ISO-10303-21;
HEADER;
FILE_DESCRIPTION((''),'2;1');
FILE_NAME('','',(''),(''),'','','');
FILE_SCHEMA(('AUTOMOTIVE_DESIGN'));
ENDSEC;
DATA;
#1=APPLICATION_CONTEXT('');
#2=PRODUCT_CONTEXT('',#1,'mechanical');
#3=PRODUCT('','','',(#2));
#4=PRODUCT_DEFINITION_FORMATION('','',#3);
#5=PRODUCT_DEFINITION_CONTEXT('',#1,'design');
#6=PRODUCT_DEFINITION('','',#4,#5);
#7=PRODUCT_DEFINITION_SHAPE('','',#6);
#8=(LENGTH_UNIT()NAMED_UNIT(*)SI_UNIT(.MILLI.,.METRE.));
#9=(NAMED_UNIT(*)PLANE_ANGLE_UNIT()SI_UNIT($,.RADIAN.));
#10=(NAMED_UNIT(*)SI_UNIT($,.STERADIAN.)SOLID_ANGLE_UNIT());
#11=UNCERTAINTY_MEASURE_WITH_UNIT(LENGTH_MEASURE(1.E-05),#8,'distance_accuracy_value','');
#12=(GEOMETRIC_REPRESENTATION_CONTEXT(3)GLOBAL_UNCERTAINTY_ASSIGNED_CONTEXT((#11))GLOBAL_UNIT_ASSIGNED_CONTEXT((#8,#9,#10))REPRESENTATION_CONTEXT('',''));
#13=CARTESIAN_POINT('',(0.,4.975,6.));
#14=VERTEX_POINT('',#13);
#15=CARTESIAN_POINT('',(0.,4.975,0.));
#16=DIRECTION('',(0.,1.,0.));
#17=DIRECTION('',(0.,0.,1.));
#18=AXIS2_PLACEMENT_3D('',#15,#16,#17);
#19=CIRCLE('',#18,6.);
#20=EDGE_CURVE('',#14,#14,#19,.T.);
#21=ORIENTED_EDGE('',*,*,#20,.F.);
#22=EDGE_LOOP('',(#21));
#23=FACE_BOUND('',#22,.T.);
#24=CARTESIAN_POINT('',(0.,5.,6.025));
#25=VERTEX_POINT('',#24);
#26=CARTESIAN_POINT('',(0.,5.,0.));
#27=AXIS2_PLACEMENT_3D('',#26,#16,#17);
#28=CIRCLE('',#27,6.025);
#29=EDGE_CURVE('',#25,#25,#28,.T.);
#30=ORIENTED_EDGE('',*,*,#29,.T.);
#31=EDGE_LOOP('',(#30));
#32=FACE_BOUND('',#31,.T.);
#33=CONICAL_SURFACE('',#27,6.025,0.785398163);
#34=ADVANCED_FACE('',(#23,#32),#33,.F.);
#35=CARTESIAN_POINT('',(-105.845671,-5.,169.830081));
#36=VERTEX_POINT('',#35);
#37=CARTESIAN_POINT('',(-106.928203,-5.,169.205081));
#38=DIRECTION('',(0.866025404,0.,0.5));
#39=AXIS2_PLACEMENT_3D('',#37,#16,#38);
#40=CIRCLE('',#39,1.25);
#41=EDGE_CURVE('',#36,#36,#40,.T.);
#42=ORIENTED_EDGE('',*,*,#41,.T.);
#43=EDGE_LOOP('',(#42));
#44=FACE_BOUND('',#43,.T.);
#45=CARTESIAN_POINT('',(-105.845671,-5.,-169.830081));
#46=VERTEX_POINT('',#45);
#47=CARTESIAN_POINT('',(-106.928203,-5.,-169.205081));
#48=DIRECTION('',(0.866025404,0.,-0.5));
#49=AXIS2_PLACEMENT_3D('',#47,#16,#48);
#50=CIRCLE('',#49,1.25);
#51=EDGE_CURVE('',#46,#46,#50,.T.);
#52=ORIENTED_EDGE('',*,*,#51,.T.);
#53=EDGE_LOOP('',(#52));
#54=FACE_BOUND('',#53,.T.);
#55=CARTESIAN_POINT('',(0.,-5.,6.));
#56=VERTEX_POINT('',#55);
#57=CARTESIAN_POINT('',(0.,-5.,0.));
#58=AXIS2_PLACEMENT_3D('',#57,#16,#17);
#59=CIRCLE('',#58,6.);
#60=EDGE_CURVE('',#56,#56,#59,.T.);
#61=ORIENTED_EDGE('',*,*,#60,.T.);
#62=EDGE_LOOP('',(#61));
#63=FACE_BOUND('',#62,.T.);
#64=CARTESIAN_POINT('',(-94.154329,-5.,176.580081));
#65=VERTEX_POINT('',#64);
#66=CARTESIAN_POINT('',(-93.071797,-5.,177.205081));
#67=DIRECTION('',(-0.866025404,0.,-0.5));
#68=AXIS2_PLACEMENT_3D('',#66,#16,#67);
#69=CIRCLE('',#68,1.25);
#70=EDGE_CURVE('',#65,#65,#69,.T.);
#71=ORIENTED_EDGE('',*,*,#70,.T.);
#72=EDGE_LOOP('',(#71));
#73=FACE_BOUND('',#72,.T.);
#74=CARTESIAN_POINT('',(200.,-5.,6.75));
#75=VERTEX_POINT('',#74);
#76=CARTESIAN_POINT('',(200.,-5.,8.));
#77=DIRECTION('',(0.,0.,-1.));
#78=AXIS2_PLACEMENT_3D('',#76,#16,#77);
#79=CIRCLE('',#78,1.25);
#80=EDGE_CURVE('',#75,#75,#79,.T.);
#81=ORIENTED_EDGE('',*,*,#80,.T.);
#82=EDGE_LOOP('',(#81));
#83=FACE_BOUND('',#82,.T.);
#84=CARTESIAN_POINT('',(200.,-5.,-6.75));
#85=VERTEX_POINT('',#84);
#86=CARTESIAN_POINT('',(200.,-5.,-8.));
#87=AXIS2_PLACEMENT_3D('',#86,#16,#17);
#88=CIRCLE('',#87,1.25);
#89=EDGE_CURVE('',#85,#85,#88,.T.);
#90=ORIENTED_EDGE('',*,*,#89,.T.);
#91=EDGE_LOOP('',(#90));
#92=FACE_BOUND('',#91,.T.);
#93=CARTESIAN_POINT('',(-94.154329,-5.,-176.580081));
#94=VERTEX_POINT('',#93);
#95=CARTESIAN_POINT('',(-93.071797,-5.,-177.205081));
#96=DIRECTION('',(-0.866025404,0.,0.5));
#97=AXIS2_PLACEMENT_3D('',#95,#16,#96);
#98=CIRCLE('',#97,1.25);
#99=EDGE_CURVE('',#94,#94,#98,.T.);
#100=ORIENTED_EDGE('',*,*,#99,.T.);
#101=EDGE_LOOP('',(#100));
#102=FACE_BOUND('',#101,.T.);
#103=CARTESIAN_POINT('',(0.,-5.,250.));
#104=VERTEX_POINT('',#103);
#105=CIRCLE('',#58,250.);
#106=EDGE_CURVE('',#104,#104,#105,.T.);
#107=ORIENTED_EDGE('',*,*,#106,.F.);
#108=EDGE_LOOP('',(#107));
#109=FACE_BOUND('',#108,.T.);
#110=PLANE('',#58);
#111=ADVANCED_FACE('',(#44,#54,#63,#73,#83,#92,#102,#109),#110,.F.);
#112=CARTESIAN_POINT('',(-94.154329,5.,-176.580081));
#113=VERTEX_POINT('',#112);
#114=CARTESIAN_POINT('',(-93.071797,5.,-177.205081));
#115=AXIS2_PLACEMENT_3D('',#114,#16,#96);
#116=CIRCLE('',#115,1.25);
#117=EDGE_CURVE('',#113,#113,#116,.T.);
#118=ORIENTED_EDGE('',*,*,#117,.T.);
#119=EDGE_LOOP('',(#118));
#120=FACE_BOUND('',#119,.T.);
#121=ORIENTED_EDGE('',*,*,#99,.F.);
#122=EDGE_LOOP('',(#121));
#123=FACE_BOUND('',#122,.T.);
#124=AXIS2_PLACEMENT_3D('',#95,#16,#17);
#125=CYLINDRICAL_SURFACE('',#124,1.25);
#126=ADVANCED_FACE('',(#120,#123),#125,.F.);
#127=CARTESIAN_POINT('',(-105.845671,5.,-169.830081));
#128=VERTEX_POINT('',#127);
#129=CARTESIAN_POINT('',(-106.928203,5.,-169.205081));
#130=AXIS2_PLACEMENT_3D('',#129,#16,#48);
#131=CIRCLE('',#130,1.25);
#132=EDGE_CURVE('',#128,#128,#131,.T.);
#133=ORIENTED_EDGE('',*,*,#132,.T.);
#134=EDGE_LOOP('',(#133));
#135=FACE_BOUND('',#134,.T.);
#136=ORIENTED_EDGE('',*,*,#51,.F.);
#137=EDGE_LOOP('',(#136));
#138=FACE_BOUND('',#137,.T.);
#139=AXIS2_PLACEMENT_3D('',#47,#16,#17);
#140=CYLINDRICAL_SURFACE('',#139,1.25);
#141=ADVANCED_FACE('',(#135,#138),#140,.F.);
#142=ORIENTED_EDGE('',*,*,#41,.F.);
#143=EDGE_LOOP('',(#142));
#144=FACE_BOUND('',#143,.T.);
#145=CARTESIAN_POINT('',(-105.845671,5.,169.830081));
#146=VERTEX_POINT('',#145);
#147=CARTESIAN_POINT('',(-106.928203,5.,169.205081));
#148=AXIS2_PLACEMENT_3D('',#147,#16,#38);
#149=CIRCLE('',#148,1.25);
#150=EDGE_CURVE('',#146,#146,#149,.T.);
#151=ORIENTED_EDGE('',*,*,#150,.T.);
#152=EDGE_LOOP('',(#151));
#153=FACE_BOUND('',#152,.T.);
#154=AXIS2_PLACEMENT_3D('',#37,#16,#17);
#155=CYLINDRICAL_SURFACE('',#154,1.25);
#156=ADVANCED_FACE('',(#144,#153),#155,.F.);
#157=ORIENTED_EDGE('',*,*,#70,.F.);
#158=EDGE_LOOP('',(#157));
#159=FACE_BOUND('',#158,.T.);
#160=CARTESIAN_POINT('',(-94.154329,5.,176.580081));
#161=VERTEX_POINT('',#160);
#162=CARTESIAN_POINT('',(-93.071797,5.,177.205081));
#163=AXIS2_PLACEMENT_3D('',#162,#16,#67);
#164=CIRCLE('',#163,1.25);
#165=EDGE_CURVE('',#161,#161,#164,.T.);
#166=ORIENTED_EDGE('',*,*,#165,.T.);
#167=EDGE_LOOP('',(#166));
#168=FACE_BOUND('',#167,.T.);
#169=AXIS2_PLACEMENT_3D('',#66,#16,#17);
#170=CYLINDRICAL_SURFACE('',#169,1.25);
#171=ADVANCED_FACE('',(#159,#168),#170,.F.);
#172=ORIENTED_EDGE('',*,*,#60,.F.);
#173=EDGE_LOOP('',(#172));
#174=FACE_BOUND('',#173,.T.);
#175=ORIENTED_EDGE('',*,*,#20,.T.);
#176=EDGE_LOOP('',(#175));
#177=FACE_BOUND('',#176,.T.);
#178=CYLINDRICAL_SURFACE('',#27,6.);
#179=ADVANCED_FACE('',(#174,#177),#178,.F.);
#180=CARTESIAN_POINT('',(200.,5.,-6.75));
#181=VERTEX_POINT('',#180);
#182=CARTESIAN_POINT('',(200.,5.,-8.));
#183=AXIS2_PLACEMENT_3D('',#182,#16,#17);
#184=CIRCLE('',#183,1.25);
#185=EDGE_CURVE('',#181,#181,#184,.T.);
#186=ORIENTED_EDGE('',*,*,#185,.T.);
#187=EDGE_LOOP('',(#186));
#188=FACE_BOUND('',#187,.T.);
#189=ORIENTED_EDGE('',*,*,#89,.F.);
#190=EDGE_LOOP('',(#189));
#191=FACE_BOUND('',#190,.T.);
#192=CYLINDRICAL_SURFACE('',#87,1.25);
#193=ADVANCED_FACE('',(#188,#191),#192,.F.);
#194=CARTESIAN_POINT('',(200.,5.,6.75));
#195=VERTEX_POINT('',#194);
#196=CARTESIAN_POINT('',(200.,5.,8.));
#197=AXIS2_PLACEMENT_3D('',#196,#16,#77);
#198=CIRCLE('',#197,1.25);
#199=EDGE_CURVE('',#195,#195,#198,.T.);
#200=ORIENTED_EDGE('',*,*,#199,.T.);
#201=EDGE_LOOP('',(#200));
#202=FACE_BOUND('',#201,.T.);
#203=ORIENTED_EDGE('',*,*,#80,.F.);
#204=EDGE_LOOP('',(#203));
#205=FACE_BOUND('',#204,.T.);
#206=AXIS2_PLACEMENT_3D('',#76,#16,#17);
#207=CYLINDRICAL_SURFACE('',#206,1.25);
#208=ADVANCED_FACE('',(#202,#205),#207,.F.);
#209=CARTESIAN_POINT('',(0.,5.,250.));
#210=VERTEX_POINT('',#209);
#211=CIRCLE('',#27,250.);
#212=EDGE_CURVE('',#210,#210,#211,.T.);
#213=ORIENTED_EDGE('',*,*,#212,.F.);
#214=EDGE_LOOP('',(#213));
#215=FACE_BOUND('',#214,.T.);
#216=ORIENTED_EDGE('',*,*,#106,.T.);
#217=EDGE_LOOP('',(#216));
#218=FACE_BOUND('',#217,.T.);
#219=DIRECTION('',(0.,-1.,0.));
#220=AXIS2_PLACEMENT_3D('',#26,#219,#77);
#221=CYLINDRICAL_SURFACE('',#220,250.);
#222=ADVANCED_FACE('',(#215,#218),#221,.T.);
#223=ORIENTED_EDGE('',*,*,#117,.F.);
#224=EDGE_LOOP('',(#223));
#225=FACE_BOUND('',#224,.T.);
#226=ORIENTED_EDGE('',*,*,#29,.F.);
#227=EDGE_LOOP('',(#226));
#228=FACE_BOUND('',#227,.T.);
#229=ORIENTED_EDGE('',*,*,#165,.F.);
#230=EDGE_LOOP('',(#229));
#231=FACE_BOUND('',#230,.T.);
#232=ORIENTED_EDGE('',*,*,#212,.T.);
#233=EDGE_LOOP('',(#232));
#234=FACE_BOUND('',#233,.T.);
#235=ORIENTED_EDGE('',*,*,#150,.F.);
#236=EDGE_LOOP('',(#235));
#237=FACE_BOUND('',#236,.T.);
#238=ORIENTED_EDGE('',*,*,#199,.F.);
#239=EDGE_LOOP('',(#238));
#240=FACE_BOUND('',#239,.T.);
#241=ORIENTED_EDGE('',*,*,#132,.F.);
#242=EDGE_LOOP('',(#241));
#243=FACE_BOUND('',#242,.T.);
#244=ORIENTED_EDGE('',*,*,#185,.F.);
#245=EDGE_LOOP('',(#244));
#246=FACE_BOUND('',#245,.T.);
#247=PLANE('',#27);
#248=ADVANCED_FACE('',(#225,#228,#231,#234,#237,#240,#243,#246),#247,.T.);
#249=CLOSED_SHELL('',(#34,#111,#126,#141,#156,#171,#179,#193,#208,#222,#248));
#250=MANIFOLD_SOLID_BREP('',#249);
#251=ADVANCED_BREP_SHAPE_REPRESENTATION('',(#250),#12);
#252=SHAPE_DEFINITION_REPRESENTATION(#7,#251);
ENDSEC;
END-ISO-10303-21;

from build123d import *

# Parameters (mm, degrees)
ESQUISSE1_R                  = 250
BOSS_EXTRU_1_DEPTH           = 5
D_GAGEMENT_M101_D            = 12
D_GAGEMENT_M101_CSINK_D      = 12.05
D_GAGEMENT_M101_CSINK_ANGLE  = 90
ESQUISSE6_R                  = 1.25
ENL_V_MAT_EXTRU_1_DEPTH      = 11
R_P_TITION_CIRCULAIRE1_COUNT = 3


with BuildPart() as part:
    # Esquisse1 → Boss.-Extru.1 (new body, symmetric)
    with BuildSketch(Plane(origin=(0, 0, 0), x_dir=(1, 0, 0), z_dir=(0, 1, 0))):
        Circle(ESQUISSE1_R)
    extrude(amount=BOSS_EXTRU_1_DEPTH, both=True)

    # Dégagement M101 (through all)
    with Locations(Plane(origin=(0, 5, 0), x_dir=(1, 0, 0), z_dir=(0, 1, 0))):
        with Locations((0, 0)):
            CounterSinkHole(D_GAGEMENT_M101_D / 2, D_GAGEMENT_M101_CSINK_D / 2, counter_sink_angle=D_GAGEMENT_M101_CSINK_ANGLE)

    # Esquisse6 → Enlèv. mat.-Extru.1 (cut, through all)
    with BuildSketch(Plane(origin=(0, 5, 0), x_dir=(1, 0, 0), z_dir=(0, 1, 0))):
        with Locations((200, 8)):
            Circle(ESQUISSE6_R)
        with Locations((200, -8)):
            Circle(ESQUISSE6_R)
    enl_v_mat_extru_1 = extrude(amount=-ENL_V_MAT_EXTRU_1_DEPTH, mode=Mode.SUBTRACT)

    # Répétition circulaire1: Enlèv. mat.-Extru.1 ×3 about axis
    r_p_tition_circulaire1_axis = Axis((0, 0, 0), (0, 1, 0))
    for i in range(1, R_P_TITION_CIRCULAIRE1_COUNT):
        add(enl_v_mat_extru_1.rotate(r_p_tition_circulaire1_axis, i * 360 / R_P_TITION_CIRCULAIRE1_COUNT), mode=Mode.SUBTRACT)


solid = part.part
